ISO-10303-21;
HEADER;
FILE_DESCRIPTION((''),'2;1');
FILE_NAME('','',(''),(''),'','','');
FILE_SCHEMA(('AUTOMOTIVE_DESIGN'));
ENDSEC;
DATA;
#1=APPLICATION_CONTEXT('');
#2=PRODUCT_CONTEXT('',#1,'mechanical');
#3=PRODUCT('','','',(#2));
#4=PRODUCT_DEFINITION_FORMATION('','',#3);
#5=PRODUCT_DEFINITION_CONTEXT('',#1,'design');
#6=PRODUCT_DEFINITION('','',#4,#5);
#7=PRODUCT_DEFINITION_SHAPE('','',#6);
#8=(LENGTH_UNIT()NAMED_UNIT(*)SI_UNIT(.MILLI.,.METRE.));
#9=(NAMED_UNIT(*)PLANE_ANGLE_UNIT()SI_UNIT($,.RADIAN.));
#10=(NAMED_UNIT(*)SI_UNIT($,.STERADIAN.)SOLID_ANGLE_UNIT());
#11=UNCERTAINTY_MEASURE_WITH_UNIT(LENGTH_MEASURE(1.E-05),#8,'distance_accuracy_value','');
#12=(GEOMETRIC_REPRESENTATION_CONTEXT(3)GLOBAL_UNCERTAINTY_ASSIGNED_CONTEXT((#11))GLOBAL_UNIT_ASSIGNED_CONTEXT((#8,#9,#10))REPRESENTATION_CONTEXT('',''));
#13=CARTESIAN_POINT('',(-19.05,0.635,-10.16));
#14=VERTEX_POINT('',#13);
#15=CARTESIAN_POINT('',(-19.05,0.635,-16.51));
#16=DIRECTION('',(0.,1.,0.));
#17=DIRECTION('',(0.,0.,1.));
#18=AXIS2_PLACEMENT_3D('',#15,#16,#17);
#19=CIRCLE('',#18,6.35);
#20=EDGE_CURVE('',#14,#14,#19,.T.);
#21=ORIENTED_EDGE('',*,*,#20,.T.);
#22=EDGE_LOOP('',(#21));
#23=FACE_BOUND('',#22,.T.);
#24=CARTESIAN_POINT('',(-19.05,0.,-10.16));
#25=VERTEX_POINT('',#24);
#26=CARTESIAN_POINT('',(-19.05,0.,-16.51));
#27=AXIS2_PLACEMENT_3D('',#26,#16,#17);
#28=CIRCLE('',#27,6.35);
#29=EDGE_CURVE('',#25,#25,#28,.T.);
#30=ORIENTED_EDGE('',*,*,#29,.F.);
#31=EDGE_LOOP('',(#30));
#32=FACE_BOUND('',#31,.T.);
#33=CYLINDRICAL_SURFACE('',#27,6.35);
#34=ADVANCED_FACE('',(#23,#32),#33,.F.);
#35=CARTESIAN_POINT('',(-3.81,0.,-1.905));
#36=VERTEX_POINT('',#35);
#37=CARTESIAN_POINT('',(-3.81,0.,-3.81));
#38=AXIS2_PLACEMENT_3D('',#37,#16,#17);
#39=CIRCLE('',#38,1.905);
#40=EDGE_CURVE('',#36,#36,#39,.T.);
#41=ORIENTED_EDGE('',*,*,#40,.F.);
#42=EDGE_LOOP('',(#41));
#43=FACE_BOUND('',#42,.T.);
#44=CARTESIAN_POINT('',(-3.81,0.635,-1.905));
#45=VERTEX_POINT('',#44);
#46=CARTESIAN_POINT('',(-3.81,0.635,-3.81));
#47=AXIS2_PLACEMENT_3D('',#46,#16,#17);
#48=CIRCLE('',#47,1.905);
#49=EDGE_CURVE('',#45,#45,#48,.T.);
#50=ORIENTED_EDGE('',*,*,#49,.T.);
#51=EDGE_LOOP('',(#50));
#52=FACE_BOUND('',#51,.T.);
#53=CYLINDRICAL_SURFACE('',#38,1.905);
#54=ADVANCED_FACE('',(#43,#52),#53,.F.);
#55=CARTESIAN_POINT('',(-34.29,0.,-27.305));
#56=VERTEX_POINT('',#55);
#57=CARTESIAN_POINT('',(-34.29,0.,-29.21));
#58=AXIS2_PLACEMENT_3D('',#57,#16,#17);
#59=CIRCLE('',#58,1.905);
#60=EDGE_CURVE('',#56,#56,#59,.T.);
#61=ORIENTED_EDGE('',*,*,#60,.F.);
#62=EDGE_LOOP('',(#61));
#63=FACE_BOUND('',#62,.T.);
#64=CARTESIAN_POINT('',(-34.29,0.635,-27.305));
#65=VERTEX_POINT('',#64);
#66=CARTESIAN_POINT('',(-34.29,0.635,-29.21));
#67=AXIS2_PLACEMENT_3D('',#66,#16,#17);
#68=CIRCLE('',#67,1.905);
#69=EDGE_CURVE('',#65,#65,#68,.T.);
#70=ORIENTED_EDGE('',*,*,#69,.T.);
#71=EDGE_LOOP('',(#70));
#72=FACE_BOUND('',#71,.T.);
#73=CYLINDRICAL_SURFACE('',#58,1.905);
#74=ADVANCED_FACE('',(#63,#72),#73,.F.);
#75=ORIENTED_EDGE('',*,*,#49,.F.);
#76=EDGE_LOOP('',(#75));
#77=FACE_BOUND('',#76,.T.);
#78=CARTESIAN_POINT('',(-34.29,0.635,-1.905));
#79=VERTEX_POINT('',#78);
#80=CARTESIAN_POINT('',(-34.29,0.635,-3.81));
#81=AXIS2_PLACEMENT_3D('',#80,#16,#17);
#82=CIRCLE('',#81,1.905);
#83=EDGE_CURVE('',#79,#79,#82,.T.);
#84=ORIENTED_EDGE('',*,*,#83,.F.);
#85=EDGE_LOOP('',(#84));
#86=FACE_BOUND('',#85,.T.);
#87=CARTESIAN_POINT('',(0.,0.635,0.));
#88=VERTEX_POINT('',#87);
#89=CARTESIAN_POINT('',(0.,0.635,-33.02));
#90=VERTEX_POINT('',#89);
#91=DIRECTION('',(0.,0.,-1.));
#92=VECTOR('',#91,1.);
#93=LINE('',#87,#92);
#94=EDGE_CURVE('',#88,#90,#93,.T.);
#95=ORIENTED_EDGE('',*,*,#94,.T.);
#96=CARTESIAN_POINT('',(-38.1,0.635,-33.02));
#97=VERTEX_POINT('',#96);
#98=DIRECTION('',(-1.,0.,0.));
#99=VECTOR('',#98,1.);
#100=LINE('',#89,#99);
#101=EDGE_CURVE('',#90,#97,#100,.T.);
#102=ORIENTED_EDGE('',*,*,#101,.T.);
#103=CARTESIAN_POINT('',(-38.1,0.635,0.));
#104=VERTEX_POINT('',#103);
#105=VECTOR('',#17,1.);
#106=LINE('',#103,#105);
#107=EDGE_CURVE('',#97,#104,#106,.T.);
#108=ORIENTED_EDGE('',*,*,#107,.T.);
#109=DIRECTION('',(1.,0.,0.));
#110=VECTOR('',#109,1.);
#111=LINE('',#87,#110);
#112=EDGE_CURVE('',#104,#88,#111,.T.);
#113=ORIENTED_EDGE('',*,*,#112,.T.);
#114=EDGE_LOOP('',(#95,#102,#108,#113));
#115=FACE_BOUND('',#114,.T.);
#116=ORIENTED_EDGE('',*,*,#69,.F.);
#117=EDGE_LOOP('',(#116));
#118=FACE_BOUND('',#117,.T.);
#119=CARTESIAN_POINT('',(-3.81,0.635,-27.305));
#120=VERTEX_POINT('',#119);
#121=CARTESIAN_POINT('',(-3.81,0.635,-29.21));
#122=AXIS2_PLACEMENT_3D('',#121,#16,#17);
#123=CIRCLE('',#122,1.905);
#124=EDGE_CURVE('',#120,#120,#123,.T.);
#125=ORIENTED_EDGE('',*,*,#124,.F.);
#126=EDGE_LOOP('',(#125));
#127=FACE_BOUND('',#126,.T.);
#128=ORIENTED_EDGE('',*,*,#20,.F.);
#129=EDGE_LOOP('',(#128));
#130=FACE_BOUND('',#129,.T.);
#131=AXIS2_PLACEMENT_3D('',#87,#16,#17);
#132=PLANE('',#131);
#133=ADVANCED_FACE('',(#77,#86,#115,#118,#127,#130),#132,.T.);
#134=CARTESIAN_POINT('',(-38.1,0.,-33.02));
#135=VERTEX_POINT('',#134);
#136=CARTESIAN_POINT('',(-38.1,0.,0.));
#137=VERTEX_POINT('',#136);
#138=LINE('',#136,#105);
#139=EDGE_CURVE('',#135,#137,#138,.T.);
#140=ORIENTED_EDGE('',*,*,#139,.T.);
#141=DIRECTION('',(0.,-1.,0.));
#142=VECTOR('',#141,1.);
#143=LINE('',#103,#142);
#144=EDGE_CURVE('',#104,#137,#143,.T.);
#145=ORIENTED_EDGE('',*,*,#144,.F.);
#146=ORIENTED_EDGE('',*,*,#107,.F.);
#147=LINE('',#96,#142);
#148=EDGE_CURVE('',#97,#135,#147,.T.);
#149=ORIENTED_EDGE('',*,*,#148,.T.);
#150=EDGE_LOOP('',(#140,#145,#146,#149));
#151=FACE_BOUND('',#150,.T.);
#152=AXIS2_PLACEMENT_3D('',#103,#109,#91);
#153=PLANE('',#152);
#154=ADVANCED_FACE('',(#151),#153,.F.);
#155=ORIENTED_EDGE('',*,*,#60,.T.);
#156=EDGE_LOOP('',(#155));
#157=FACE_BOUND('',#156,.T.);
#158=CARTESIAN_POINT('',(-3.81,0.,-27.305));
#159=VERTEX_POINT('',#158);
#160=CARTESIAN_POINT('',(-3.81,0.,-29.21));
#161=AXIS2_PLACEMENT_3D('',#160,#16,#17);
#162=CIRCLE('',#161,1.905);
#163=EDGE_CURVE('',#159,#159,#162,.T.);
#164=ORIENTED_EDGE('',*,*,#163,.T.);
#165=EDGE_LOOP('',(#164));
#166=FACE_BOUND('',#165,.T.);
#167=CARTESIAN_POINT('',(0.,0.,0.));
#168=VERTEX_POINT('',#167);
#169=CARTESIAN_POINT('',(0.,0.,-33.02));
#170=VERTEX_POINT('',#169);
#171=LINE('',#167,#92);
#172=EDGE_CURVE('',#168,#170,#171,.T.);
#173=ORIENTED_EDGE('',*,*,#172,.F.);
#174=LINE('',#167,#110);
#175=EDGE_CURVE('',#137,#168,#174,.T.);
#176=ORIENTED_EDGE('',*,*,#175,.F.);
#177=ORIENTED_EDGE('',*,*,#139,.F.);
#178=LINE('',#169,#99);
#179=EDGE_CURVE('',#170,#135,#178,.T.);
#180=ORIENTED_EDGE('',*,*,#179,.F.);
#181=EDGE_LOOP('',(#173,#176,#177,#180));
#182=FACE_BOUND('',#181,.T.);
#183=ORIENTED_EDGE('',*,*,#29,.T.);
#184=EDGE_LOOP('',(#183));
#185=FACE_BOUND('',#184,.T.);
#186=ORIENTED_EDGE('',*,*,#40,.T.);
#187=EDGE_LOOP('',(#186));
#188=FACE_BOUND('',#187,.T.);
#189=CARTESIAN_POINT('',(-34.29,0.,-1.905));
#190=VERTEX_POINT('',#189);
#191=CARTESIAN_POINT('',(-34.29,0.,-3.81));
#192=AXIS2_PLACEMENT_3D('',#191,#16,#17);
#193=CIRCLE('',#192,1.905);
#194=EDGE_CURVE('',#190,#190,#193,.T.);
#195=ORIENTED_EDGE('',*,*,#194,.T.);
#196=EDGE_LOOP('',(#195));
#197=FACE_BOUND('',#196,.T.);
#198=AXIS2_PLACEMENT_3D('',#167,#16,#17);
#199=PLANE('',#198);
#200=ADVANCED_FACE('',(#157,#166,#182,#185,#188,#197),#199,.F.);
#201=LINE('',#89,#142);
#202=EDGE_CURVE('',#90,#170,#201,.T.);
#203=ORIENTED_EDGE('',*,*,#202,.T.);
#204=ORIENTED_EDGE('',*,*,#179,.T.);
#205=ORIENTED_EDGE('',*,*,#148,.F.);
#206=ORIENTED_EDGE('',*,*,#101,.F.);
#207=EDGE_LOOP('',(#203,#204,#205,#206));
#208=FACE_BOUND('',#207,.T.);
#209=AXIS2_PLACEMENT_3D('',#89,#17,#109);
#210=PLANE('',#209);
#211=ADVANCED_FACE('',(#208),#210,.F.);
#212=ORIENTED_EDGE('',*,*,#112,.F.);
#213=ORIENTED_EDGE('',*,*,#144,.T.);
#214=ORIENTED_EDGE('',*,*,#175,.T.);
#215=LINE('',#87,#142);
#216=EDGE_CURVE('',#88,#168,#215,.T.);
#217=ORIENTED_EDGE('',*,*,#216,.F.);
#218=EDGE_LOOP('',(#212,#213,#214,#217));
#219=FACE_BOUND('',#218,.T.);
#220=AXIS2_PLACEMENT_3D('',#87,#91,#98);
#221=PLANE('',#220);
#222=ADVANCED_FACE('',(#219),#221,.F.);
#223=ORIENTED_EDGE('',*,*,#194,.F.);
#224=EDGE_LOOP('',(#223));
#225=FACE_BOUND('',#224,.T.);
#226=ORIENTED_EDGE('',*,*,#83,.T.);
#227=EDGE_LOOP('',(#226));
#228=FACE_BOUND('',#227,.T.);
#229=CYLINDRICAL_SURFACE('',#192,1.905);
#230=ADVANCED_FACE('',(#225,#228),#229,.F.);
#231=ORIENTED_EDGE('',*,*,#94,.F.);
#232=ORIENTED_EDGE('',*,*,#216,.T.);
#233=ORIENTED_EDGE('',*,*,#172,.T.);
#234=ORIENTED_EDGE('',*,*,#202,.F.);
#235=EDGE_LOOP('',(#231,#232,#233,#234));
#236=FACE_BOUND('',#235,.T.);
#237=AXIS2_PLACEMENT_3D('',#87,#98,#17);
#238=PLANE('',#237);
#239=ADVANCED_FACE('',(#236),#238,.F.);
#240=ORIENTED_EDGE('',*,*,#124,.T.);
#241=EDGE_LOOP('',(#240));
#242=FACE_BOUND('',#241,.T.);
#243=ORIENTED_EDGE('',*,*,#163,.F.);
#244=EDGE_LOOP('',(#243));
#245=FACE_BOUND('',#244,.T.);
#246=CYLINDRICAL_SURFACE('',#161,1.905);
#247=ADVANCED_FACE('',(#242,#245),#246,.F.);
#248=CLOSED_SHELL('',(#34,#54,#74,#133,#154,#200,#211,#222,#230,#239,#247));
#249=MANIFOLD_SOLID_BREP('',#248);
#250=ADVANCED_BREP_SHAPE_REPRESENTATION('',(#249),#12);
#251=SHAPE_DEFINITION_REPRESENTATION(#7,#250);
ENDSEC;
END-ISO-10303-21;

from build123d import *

# Parameters (mm, degrees)
SKETCH1_W           = 38.1
SKETCH1_H           = 33.02
BOSS_EXTRUDE1_DEPTH = 0.635
SKETCH2_R           = 1.905
CUT_EXTRUDE1_DEPTH  = 0.635
SKETCH3_R           = 6.35
CUT_EXTRUDE2_DEPTH  = 0.635


with BuildPart() as part:
    # Sketch1 → Boss-Extrude1 (new body)
    with BuildSketch(Plane(origin=(0, 0, 0), x_dir=(1, 0, 0), z_dir=(0, 1, 0))):
        with Locations((-19.05, 16.51)):
            Rectangle(SKETCH1_W, SKETCH1_H)
    extrude(amount=BOSS_EXTRUDE1_DEPTH)

    # Sketch2 → Cut-Extrude1 (cut)
    with BuildSketch(Plane(origin=(0, 0.635, 0), x_dir=(1, 0, 0), z_dir=(0, 1, 0))):
        with Locations((-34.29, 29.21)):
            Circle(SKETCH2_R)
        with Locations((-34.29, 3.81)):
            Circle(SKETCH2_R)
        with Locations((-3.81, 29.21)):
            Circle(SKETCH2_R)
        with Locations((-3.81, 3.81)):
            Circle(SKETCH2_R)
    extrude(amount=-CUT_EXTRUDE1_DEPTH, mode=Mode.SUBTRACT)

    # Sketch3 → Cut-Extrude2 (cut)
    with BuildSketch(Plane(origin=(0, 0.635, 0), x_dir=(1, 0, 0), z_dir=(0, 1, 0))):
        with Locations((-19.05, 16.51)):
            Circle(SKETCH3_R)
    extrude(amount=-CUT_EXTRUDE2_DEPTH, mode=Mode.SUBTRACT)


solid = part.part
